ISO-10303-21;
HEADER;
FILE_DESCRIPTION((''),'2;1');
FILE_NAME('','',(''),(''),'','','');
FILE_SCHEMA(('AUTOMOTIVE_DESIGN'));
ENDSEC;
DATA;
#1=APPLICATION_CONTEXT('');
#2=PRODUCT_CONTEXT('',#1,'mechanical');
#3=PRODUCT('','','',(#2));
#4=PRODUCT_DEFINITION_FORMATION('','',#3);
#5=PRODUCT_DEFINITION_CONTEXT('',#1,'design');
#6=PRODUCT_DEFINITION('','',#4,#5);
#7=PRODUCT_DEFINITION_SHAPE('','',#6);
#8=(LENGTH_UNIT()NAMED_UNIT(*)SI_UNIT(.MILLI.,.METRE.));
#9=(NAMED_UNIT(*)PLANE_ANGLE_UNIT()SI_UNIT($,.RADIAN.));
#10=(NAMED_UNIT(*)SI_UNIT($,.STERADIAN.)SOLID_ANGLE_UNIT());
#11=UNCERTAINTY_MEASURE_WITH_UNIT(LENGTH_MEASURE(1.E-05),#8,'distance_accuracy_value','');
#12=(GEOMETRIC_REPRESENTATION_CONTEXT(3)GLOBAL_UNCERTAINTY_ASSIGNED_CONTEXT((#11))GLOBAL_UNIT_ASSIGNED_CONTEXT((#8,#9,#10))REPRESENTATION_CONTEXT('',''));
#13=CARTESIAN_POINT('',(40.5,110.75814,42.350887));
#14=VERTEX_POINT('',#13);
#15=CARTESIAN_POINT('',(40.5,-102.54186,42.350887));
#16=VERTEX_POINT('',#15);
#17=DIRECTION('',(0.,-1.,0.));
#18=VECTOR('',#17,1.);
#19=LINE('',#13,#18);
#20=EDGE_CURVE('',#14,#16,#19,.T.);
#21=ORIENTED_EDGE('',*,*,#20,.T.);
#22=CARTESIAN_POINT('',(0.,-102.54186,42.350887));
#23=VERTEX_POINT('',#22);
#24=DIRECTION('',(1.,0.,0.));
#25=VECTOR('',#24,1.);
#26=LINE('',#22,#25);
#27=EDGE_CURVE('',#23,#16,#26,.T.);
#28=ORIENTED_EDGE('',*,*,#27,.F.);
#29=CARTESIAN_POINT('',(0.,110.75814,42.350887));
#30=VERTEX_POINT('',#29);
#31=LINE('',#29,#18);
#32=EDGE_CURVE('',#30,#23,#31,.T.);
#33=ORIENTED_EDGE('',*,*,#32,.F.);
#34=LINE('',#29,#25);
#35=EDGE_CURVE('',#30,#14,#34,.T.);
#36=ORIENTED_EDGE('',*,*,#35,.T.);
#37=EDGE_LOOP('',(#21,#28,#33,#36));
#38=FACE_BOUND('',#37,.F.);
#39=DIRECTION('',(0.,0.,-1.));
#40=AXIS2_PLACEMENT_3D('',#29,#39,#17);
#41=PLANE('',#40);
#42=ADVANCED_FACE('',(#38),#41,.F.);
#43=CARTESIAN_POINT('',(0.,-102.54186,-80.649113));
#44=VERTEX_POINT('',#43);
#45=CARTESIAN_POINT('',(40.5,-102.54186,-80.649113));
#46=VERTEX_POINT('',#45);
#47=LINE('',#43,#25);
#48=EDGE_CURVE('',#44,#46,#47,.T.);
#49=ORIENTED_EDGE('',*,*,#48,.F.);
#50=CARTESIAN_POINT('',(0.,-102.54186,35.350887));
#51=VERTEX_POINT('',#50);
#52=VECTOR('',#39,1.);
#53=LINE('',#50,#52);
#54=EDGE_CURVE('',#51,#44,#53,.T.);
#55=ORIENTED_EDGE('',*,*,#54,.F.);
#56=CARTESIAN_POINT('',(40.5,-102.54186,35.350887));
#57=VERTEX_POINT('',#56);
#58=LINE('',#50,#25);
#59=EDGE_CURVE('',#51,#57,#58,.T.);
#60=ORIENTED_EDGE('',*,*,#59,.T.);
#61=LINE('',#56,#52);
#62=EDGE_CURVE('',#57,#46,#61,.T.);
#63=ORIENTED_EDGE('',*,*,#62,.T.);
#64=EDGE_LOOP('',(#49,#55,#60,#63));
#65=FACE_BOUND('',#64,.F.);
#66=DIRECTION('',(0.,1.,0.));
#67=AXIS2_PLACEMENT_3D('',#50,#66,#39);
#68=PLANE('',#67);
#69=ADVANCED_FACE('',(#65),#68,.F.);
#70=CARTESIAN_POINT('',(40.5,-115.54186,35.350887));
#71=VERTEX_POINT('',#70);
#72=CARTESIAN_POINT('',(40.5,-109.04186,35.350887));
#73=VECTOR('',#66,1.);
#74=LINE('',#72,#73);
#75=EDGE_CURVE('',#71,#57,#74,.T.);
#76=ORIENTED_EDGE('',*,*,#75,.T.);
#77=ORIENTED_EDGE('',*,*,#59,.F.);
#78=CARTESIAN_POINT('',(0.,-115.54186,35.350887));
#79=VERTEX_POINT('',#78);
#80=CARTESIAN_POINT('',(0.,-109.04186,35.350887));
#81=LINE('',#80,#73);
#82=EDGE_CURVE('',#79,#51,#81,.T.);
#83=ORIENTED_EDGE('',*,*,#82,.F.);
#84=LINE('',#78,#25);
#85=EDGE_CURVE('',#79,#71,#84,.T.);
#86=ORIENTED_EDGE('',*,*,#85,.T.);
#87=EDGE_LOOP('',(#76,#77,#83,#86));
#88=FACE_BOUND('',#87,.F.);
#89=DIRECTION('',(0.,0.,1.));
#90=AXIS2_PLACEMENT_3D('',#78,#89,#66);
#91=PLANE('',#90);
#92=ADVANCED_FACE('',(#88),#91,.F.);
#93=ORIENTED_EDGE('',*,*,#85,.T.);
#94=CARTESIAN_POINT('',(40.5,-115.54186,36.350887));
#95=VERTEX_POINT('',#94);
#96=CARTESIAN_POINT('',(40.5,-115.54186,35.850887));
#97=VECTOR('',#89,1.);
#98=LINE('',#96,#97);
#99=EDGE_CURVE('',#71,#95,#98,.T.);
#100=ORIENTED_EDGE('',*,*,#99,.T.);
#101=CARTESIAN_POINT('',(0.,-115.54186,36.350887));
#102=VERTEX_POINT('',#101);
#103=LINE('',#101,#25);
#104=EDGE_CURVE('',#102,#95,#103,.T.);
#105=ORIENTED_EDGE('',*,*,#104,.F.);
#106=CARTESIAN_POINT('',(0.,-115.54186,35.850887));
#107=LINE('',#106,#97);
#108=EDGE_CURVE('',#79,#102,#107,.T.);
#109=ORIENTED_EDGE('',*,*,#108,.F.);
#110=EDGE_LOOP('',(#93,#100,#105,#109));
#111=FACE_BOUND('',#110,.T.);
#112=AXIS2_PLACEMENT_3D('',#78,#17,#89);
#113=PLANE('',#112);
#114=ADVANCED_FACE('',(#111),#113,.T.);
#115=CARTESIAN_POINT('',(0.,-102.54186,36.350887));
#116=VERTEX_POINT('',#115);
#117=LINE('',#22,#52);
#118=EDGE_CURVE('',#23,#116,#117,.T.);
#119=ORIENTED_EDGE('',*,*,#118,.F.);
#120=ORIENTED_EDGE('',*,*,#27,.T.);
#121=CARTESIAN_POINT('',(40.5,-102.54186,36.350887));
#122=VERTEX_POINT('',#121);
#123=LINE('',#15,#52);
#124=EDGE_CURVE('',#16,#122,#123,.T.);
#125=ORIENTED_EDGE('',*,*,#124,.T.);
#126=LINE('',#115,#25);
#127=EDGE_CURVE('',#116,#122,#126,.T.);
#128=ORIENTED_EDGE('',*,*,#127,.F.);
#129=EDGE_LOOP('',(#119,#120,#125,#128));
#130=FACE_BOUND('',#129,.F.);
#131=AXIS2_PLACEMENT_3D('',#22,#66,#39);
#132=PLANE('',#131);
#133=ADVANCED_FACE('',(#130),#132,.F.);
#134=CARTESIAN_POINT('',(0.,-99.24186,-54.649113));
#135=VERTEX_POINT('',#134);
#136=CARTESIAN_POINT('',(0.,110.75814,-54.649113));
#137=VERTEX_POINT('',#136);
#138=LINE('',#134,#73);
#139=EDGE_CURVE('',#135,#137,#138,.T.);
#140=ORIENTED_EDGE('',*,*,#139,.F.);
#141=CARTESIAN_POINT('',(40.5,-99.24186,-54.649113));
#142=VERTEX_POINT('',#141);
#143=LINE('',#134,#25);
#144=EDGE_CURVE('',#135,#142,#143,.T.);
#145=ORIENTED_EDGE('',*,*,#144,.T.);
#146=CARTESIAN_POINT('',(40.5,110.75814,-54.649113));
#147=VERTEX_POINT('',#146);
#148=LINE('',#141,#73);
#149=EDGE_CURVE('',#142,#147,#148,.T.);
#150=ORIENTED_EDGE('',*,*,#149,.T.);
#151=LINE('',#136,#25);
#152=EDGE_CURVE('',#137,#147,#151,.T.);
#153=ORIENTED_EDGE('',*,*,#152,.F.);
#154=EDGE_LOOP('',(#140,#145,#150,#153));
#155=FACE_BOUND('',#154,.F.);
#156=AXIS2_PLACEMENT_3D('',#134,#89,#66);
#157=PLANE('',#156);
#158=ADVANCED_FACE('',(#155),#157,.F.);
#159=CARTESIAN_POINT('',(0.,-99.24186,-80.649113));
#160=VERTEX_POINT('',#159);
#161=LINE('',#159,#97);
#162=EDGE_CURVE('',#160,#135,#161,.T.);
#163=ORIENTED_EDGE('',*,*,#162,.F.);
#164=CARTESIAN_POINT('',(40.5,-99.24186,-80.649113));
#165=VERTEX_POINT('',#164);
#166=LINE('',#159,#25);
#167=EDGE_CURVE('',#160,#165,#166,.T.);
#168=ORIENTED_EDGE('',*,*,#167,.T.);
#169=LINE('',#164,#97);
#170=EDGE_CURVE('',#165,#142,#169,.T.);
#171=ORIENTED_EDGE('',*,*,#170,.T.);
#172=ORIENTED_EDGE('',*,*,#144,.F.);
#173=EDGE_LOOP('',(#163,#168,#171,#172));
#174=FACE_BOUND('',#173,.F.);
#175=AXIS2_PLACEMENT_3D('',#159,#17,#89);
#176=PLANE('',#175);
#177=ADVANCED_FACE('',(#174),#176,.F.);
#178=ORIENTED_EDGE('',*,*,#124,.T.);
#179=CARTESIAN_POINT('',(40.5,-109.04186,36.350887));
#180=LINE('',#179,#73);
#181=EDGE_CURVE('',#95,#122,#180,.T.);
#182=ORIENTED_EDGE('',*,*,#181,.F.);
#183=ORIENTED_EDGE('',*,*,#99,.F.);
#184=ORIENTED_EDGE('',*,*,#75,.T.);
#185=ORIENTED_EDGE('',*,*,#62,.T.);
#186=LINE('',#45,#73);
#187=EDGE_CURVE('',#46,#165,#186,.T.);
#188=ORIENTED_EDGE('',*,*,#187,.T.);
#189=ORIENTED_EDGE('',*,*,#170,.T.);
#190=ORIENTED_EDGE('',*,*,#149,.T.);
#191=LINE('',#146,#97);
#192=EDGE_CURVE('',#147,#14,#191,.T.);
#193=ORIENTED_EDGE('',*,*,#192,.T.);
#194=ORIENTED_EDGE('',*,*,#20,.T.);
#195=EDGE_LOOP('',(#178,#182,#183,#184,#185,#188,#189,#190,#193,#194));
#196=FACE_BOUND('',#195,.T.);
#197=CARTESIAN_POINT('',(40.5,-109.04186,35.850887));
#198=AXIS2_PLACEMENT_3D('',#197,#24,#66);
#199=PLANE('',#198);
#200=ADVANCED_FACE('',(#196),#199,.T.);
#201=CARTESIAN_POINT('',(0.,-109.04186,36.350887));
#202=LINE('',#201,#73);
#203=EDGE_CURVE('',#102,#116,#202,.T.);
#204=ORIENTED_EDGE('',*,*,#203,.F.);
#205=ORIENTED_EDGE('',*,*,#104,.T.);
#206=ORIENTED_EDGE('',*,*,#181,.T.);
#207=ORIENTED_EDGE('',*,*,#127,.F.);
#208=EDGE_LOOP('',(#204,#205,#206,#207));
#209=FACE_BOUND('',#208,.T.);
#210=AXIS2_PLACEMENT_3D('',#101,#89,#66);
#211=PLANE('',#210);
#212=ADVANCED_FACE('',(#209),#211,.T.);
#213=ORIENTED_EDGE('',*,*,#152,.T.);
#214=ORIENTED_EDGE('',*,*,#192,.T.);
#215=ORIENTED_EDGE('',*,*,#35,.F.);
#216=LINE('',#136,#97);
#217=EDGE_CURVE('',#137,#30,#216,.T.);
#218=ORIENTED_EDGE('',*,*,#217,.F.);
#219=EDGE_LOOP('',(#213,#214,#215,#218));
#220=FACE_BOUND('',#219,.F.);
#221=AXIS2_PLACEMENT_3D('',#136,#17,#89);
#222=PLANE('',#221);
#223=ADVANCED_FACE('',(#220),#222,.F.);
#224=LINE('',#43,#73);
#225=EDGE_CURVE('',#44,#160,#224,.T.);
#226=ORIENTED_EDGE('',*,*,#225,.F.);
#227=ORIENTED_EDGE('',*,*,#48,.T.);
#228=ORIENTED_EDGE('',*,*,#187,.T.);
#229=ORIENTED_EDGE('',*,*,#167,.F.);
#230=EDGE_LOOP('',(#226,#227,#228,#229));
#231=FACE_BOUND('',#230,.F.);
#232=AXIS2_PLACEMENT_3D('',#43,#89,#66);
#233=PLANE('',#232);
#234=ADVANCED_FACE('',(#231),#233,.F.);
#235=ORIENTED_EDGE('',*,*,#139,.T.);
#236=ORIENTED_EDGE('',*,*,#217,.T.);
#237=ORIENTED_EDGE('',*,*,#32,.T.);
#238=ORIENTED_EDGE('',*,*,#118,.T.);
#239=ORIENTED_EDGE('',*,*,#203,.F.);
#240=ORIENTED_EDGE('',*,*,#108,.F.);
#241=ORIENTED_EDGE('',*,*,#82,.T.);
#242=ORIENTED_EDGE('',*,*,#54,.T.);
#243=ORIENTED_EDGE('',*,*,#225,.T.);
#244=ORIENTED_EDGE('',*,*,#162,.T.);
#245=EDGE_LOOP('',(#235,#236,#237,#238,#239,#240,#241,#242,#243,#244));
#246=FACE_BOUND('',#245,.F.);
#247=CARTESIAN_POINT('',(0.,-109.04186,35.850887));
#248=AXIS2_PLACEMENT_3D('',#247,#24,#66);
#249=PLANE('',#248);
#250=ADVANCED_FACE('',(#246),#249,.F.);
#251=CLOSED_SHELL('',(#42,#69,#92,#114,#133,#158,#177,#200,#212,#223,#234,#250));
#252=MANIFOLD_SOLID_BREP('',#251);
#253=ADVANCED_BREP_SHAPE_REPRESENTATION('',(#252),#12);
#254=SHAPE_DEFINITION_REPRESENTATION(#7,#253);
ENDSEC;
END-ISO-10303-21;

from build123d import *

# Parameters (mm, degrees)
F0_W     = 13
F0_H     = 1
F1_DEPTH = 40.5


with BuildPart() as f1:
    # F0 (on Right) → F1 (new body)
    with BuildSketch(Plane.YZ):
        with Locations((-109.04186, 35.850887)):
            Rectangle(F0_W, F0_H)
        Polygon((-102.54186, 36.350887), (-102.54186, 35.350887), (-102.54186, -80.649113), (-99.24186, -80.649113), (-99.24186, -54.649113), (110.75814, -54.649113), (110.75814, 42.350887), (-102.54186, 42.350887), align=None)
    extrude(amount=F1_DEPTH)


solid = f1.part
